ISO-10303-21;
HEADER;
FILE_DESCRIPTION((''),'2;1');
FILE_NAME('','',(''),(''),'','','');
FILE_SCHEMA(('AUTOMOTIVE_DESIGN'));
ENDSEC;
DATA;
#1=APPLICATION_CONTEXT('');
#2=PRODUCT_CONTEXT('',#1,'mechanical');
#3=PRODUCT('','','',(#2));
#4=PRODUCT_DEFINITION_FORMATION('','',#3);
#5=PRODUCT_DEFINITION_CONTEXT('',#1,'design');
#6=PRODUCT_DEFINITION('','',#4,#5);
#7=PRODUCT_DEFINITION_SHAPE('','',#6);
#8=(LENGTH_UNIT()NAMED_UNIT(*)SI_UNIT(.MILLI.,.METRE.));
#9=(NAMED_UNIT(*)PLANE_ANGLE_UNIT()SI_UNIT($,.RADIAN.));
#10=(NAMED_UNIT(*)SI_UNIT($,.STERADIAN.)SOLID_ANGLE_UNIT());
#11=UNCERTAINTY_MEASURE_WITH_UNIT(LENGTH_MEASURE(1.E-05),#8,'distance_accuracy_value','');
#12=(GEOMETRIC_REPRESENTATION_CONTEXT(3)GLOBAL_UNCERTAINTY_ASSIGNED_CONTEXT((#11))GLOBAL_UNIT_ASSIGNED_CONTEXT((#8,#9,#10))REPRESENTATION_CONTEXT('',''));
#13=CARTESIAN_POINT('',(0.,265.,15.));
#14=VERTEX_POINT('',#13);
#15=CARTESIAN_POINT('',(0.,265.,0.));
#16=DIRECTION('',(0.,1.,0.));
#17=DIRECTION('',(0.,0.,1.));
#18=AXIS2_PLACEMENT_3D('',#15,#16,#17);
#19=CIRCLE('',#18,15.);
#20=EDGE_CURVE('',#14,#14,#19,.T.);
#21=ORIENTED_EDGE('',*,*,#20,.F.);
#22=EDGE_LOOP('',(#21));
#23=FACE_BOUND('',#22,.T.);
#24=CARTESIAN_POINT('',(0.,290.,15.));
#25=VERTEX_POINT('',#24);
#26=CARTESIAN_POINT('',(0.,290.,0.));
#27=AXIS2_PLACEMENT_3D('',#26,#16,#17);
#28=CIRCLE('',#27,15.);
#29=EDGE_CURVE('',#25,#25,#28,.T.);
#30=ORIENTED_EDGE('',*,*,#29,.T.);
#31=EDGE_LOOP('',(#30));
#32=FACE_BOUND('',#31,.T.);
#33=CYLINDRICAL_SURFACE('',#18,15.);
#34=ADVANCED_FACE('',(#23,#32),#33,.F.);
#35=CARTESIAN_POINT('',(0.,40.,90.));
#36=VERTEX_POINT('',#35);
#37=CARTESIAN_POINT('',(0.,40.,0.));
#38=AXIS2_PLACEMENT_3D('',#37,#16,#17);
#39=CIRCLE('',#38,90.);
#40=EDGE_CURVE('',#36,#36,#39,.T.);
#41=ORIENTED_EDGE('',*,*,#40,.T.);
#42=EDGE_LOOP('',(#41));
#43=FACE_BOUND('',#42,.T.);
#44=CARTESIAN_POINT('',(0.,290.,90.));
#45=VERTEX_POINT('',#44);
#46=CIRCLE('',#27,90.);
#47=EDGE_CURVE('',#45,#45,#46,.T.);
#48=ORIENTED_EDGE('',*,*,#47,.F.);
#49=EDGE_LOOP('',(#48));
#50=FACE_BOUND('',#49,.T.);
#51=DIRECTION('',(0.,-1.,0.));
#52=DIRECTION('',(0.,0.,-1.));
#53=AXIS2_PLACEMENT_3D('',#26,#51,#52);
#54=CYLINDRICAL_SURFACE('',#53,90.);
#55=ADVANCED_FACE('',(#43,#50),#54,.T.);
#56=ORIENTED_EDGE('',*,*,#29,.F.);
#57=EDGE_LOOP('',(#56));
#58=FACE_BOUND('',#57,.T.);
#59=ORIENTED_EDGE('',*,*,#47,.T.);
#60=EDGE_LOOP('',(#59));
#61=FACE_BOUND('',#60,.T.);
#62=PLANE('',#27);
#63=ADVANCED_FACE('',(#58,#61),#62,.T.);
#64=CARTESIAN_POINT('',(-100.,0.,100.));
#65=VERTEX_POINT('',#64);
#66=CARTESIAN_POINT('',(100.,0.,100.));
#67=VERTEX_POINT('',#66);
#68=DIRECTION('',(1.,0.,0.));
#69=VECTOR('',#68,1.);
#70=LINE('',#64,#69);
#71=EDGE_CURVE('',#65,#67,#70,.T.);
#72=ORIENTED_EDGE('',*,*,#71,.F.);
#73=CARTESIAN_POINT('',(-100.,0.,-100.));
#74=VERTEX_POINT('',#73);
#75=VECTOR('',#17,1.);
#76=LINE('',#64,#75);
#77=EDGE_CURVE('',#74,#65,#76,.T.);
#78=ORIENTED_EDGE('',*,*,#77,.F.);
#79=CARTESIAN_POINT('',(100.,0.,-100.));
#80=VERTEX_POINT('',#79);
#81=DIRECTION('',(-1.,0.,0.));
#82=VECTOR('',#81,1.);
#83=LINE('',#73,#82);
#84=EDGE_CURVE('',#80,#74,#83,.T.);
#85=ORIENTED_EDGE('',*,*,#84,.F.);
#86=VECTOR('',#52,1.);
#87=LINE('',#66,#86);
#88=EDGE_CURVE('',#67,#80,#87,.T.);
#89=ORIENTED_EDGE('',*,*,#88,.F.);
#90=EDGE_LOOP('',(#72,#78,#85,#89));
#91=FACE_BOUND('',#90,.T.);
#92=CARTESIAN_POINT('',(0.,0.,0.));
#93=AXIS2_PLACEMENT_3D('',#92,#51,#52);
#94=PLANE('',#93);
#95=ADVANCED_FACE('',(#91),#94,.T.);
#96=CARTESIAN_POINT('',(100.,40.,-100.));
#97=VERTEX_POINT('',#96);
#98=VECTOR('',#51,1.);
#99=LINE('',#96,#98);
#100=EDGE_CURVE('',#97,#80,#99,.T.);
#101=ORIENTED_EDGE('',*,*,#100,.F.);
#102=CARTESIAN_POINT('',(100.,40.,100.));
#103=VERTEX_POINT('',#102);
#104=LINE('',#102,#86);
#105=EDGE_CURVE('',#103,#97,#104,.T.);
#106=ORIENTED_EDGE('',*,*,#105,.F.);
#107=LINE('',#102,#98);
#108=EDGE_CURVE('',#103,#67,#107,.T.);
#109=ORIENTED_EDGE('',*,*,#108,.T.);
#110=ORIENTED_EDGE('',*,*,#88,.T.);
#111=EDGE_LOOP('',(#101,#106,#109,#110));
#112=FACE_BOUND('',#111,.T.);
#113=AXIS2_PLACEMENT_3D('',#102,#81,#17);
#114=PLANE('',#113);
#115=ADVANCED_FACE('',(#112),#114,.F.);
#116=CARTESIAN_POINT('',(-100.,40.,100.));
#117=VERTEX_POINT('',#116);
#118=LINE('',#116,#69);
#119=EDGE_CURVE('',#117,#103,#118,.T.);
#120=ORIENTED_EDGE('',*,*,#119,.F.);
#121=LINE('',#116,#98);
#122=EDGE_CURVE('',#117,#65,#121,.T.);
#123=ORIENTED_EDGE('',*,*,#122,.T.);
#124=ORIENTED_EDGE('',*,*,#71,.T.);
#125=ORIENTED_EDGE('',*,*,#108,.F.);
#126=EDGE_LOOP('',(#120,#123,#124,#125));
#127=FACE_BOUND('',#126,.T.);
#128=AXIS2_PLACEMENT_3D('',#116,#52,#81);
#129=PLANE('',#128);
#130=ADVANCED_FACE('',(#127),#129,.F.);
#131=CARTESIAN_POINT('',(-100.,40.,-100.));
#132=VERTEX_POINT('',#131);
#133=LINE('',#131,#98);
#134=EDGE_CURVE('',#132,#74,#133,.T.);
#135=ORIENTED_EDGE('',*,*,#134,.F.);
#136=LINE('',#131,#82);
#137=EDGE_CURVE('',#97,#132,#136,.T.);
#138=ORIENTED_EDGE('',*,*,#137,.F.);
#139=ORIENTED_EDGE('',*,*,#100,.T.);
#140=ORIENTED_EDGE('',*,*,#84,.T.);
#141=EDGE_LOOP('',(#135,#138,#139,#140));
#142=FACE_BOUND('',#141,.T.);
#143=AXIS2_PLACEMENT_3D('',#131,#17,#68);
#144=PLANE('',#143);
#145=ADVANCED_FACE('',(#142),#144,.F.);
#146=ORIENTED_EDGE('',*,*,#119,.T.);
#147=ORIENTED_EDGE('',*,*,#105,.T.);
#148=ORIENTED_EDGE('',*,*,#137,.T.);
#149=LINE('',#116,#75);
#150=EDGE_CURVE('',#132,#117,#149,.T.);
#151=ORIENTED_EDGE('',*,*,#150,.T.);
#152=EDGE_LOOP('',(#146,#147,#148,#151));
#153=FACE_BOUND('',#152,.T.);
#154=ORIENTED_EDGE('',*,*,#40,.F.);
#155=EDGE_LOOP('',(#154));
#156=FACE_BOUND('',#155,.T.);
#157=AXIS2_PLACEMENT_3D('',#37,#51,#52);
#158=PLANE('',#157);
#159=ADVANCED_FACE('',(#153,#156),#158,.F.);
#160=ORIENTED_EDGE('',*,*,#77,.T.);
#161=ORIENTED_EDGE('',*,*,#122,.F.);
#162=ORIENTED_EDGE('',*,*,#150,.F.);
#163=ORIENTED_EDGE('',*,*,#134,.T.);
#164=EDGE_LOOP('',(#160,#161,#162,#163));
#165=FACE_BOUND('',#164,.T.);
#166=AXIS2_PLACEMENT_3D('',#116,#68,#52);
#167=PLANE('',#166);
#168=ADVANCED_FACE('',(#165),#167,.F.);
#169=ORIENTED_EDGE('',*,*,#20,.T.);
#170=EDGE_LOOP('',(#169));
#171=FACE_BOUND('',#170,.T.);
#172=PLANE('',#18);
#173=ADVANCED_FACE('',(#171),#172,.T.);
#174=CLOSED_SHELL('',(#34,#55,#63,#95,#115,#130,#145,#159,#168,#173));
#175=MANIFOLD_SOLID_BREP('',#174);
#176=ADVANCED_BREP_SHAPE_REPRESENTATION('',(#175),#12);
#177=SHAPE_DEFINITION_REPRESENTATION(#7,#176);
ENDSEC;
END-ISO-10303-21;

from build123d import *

# Parameters (mm, degrees)
ESBO_O2_W                = 200
ESBO_O2_H                = 200
RESSALTO_EXTRUS_O1_DEPTH = 40
ESBO_O3_R                = 90
RESSALTO_EXTRUS_O2_DEPTH = 250
ESBO_O4_R                = 15
CORTE_EXTRUS_O1_DEPTH    = 25


with BuildPart() as part:
    # Esboço2 → Ressalto-extrusão1 (new body)
    with BuildSketch(Plane(origin=(0, 0, 0), x_dir=(1, 0, 0), z_dir=(0, 1, 0))):
        Rectangle(ESBO_O2_W, ESBO_O2_H)
    extrude(amount=RESSALTO_EXTRUS_O1_DEPTH)

    # Esboço3 → Ressalto-extrusão2 (add)
    with BuildSketch(Plane(origin=(0, 40, 0), x_dir=(1, 0, 0), z_dir=(0, 1, 0))):
        Circle(ESBO_O3_R)
    extrude(amount=RESSALTO_EXTRUS_O2_DEPTH)

    # Esboço4 → Corte-extrusão1 (cut)
    with BuildSketch(Plane(origin=(0, 290, 0), x_dir=(1, 0, 0), z_dir=(0, 1, 0))):
        Circle(ESBO_O4_R)
    extrude(amount=-CORTE_EXTRUS_O1_DEPTH, mode=Mode.SUBTRACT)


solid = part.part
